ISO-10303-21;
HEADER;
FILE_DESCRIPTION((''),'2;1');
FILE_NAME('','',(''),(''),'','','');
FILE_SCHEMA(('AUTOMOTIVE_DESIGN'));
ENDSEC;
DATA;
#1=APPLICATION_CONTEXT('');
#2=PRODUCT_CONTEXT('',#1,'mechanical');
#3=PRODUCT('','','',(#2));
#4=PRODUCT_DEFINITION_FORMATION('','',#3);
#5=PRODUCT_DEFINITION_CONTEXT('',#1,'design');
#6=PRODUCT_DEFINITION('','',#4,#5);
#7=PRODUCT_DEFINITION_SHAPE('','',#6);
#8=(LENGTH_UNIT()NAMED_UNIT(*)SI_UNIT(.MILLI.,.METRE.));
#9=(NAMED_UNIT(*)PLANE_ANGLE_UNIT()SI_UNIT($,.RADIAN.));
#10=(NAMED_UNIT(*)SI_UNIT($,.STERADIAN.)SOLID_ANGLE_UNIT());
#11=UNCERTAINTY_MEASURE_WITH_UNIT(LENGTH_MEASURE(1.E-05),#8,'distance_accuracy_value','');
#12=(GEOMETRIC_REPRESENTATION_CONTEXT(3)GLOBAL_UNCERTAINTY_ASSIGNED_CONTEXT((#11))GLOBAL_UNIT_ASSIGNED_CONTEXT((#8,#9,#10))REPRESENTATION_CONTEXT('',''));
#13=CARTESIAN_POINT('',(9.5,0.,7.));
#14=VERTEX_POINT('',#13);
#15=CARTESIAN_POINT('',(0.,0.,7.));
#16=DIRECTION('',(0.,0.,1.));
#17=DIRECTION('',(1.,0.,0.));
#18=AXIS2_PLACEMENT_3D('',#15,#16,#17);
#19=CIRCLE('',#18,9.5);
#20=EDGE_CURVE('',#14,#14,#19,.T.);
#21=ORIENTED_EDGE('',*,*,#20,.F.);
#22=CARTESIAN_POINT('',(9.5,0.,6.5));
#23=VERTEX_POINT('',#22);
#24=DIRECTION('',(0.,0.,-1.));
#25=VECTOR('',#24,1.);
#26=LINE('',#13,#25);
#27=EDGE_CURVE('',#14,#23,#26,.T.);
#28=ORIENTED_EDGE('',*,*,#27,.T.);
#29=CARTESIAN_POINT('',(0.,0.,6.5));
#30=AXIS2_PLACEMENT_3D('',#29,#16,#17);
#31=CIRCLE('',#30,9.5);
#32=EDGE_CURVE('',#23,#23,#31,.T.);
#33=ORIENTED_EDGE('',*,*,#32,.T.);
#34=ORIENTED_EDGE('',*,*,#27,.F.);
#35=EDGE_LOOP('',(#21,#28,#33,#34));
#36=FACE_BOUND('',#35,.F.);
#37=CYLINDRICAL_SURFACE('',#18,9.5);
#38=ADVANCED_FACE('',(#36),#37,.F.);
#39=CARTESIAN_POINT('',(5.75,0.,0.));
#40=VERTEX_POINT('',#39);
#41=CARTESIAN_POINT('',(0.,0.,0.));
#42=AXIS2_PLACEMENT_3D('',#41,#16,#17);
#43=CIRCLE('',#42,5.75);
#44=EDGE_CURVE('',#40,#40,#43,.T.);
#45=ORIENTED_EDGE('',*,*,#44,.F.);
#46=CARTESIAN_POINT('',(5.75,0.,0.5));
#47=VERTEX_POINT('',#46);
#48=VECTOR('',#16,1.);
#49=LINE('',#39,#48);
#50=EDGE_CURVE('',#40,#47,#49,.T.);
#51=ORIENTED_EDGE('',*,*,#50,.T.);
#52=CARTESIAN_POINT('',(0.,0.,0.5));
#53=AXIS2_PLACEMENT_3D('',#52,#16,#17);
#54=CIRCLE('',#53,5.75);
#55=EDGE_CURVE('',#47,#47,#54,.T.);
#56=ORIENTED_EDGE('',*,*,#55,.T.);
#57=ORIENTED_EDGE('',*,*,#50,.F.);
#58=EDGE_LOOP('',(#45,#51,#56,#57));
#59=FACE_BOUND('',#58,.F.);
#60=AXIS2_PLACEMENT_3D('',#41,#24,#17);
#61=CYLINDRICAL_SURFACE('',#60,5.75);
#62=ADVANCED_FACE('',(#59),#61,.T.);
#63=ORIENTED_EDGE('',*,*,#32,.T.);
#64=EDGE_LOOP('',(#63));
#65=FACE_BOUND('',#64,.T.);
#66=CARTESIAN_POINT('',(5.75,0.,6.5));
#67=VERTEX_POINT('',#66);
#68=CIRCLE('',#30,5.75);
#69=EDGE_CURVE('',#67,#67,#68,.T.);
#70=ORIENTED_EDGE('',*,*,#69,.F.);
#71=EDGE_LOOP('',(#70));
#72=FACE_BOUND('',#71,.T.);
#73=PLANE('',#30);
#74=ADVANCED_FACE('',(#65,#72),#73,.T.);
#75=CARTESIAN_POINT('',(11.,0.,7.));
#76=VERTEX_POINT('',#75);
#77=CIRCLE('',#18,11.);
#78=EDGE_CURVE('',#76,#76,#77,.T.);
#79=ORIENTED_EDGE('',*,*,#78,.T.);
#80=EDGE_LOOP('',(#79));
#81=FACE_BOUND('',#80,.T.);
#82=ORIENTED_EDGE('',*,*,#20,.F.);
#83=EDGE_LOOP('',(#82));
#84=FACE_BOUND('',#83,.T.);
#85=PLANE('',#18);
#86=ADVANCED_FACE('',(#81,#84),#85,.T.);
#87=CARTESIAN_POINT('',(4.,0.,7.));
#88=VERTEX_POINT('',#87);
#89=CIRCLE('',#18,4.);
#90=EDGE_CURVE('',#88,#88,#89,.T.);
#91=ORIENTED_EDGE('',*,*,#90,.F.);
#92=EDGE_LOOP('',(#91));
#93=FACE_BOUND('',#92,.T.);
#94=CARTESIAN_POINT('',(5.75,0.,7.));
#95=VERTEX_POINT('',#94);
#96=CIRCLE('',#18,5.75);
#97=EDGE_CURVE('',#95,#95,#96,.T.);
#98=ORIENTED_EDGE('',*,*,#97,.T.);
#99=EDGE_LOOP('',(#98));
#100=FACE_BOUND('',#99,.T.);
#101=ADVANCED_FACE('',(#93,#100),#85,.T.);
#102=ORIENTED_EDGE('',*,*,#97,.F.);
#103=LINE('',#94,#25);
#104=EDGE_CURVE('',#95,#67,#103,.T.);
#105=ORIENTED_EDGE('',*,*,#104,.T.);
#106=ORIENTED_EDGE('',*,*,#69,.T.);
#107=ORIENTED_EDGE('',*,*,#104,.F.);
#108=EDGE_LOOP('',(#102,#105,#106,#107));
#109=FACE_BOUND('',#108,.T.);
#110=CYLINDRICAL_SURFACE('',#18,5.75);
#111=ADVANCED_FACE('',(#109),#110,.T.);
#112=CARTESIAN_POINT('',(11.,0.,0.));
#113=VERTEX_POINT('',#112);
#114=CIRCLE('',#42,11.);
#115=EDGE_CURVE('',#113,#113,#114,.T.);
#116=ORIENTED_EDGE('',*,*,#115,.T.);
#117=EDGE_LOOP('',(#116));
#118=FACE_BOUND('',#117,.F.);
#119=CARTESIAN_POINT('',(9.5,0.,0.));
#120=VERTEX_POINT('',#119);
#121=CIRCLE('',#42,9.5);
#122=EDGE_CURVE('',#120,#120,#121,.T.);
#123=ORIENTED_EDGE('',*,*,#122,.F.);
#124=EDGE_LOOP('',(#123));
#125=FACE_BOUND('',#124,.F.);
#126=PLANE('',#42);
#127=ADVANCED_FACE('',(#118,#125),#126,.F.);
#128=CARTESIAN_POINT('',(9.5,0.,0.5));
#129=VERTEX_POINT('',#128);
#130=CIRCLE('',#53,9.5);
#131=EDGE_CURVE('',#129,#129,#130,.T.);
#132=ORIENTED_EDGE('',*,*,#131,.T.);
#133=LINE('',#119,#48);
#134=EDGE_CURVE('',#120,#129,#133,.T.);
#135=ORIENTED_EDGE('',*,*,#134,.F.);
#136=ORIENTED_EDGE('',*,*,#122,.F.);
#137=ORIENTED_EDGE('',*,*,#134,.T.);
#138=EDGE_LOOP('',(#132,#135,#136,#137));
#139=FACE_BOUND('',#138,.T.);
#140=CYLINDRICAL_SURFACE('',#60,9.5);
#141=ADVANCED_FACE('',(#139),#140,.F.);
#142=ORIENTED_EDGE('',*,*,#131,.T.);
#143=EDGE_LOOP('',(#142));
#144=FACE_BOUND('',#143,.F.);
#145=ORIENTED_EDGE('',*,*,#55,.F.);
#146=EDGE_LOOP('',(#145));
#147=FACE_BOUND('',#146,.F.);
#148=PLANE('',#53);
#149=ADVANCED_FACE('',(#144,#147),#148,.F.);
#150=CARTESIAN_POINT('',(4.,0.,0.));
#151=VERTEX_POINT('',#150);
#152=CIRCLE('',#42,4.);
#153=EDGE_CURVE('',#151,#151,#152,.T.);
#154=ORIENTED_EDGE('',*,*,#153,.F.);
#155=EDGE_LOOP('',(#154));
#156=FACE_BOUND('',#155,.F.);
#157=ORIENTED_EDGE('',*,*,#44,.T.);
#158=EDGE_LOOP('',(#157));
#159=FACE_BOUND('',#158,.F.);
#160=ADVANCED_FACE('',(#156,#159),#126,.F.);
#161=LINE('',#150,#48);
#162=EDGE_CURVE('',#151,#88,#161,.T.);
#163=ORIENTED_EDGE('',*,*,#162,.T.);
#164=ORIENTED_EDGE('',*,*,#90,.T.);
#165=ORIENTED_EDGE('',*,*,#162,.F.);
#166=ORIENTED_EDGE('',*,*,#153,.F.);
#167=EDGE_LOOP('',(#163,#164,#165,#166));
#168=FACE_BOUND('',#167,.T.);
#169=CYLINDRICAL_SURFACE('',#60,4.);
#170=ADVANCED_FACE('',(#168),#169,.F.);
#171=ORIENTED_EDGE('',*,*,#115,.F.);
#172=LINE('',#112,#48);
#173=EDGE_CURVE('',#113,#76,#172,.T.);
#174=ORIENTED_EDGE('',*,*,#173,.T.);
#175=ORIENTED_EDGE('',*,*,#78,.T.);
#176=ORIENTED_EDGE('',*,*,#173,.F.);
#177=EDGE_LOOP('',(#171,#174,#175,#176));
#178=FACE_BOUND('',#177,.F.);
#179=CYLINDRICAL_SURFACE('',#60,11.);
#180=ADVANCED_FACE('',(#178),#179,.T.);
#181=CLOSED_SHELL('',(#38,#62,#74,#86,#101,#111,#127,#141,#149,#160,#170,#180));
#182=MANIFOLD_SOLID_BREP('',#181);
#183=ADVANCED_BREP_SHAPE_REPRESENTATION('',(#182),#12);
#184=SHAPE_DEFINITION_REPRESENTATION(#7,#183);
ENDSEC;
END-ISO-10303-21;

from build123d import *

# Parameters (mm, degrees)
SKETCH_R        = 11
SKETCH_R_2      = 4
PAD_DEPTH       = 7
SKETCH001_R     = 9.5
SKETCH001_R_2   = 5.75
POCKET_DEPTH    = 0.5
SKETCH002_R     = 9.5
SKETCH002_R_2   = 5.75
POCKET001_DEPTH = 0.5


with BuildPart() as part:
    # Sketch → Pad (new body)
    with BuildSketch(Plane.XY):
        Circle(SKETCH_R)
        Circle(SKETCH_R_2, mode=Mode.SUBTRACT)
    extrude(amount=PAD_DEPTH)

    # Sketch001 → Pocket (cut)
    with BuildSketch(Plane.XY):
        Circle(SKETCH001_R)
        Circle(SKETCH001_R_2, mode=Mode.SUBTRACT)
    extrude(amount=POCKET_DEPTH, mode=Mode.SUBTRACT)

    # Sketch002 (on DatumPlane) → Pocket001 (cut)
    with BuildSketch(Plane.XY.offset(7)):
        Circle(SKETCH002_R)
        Circle(SKETCH002_R_2, mode=Mode.SUBTRACT)
    extrude(amount=-POCKET001_DEPTH, mode=Mode.SUBTRACT)


solid = part.part
